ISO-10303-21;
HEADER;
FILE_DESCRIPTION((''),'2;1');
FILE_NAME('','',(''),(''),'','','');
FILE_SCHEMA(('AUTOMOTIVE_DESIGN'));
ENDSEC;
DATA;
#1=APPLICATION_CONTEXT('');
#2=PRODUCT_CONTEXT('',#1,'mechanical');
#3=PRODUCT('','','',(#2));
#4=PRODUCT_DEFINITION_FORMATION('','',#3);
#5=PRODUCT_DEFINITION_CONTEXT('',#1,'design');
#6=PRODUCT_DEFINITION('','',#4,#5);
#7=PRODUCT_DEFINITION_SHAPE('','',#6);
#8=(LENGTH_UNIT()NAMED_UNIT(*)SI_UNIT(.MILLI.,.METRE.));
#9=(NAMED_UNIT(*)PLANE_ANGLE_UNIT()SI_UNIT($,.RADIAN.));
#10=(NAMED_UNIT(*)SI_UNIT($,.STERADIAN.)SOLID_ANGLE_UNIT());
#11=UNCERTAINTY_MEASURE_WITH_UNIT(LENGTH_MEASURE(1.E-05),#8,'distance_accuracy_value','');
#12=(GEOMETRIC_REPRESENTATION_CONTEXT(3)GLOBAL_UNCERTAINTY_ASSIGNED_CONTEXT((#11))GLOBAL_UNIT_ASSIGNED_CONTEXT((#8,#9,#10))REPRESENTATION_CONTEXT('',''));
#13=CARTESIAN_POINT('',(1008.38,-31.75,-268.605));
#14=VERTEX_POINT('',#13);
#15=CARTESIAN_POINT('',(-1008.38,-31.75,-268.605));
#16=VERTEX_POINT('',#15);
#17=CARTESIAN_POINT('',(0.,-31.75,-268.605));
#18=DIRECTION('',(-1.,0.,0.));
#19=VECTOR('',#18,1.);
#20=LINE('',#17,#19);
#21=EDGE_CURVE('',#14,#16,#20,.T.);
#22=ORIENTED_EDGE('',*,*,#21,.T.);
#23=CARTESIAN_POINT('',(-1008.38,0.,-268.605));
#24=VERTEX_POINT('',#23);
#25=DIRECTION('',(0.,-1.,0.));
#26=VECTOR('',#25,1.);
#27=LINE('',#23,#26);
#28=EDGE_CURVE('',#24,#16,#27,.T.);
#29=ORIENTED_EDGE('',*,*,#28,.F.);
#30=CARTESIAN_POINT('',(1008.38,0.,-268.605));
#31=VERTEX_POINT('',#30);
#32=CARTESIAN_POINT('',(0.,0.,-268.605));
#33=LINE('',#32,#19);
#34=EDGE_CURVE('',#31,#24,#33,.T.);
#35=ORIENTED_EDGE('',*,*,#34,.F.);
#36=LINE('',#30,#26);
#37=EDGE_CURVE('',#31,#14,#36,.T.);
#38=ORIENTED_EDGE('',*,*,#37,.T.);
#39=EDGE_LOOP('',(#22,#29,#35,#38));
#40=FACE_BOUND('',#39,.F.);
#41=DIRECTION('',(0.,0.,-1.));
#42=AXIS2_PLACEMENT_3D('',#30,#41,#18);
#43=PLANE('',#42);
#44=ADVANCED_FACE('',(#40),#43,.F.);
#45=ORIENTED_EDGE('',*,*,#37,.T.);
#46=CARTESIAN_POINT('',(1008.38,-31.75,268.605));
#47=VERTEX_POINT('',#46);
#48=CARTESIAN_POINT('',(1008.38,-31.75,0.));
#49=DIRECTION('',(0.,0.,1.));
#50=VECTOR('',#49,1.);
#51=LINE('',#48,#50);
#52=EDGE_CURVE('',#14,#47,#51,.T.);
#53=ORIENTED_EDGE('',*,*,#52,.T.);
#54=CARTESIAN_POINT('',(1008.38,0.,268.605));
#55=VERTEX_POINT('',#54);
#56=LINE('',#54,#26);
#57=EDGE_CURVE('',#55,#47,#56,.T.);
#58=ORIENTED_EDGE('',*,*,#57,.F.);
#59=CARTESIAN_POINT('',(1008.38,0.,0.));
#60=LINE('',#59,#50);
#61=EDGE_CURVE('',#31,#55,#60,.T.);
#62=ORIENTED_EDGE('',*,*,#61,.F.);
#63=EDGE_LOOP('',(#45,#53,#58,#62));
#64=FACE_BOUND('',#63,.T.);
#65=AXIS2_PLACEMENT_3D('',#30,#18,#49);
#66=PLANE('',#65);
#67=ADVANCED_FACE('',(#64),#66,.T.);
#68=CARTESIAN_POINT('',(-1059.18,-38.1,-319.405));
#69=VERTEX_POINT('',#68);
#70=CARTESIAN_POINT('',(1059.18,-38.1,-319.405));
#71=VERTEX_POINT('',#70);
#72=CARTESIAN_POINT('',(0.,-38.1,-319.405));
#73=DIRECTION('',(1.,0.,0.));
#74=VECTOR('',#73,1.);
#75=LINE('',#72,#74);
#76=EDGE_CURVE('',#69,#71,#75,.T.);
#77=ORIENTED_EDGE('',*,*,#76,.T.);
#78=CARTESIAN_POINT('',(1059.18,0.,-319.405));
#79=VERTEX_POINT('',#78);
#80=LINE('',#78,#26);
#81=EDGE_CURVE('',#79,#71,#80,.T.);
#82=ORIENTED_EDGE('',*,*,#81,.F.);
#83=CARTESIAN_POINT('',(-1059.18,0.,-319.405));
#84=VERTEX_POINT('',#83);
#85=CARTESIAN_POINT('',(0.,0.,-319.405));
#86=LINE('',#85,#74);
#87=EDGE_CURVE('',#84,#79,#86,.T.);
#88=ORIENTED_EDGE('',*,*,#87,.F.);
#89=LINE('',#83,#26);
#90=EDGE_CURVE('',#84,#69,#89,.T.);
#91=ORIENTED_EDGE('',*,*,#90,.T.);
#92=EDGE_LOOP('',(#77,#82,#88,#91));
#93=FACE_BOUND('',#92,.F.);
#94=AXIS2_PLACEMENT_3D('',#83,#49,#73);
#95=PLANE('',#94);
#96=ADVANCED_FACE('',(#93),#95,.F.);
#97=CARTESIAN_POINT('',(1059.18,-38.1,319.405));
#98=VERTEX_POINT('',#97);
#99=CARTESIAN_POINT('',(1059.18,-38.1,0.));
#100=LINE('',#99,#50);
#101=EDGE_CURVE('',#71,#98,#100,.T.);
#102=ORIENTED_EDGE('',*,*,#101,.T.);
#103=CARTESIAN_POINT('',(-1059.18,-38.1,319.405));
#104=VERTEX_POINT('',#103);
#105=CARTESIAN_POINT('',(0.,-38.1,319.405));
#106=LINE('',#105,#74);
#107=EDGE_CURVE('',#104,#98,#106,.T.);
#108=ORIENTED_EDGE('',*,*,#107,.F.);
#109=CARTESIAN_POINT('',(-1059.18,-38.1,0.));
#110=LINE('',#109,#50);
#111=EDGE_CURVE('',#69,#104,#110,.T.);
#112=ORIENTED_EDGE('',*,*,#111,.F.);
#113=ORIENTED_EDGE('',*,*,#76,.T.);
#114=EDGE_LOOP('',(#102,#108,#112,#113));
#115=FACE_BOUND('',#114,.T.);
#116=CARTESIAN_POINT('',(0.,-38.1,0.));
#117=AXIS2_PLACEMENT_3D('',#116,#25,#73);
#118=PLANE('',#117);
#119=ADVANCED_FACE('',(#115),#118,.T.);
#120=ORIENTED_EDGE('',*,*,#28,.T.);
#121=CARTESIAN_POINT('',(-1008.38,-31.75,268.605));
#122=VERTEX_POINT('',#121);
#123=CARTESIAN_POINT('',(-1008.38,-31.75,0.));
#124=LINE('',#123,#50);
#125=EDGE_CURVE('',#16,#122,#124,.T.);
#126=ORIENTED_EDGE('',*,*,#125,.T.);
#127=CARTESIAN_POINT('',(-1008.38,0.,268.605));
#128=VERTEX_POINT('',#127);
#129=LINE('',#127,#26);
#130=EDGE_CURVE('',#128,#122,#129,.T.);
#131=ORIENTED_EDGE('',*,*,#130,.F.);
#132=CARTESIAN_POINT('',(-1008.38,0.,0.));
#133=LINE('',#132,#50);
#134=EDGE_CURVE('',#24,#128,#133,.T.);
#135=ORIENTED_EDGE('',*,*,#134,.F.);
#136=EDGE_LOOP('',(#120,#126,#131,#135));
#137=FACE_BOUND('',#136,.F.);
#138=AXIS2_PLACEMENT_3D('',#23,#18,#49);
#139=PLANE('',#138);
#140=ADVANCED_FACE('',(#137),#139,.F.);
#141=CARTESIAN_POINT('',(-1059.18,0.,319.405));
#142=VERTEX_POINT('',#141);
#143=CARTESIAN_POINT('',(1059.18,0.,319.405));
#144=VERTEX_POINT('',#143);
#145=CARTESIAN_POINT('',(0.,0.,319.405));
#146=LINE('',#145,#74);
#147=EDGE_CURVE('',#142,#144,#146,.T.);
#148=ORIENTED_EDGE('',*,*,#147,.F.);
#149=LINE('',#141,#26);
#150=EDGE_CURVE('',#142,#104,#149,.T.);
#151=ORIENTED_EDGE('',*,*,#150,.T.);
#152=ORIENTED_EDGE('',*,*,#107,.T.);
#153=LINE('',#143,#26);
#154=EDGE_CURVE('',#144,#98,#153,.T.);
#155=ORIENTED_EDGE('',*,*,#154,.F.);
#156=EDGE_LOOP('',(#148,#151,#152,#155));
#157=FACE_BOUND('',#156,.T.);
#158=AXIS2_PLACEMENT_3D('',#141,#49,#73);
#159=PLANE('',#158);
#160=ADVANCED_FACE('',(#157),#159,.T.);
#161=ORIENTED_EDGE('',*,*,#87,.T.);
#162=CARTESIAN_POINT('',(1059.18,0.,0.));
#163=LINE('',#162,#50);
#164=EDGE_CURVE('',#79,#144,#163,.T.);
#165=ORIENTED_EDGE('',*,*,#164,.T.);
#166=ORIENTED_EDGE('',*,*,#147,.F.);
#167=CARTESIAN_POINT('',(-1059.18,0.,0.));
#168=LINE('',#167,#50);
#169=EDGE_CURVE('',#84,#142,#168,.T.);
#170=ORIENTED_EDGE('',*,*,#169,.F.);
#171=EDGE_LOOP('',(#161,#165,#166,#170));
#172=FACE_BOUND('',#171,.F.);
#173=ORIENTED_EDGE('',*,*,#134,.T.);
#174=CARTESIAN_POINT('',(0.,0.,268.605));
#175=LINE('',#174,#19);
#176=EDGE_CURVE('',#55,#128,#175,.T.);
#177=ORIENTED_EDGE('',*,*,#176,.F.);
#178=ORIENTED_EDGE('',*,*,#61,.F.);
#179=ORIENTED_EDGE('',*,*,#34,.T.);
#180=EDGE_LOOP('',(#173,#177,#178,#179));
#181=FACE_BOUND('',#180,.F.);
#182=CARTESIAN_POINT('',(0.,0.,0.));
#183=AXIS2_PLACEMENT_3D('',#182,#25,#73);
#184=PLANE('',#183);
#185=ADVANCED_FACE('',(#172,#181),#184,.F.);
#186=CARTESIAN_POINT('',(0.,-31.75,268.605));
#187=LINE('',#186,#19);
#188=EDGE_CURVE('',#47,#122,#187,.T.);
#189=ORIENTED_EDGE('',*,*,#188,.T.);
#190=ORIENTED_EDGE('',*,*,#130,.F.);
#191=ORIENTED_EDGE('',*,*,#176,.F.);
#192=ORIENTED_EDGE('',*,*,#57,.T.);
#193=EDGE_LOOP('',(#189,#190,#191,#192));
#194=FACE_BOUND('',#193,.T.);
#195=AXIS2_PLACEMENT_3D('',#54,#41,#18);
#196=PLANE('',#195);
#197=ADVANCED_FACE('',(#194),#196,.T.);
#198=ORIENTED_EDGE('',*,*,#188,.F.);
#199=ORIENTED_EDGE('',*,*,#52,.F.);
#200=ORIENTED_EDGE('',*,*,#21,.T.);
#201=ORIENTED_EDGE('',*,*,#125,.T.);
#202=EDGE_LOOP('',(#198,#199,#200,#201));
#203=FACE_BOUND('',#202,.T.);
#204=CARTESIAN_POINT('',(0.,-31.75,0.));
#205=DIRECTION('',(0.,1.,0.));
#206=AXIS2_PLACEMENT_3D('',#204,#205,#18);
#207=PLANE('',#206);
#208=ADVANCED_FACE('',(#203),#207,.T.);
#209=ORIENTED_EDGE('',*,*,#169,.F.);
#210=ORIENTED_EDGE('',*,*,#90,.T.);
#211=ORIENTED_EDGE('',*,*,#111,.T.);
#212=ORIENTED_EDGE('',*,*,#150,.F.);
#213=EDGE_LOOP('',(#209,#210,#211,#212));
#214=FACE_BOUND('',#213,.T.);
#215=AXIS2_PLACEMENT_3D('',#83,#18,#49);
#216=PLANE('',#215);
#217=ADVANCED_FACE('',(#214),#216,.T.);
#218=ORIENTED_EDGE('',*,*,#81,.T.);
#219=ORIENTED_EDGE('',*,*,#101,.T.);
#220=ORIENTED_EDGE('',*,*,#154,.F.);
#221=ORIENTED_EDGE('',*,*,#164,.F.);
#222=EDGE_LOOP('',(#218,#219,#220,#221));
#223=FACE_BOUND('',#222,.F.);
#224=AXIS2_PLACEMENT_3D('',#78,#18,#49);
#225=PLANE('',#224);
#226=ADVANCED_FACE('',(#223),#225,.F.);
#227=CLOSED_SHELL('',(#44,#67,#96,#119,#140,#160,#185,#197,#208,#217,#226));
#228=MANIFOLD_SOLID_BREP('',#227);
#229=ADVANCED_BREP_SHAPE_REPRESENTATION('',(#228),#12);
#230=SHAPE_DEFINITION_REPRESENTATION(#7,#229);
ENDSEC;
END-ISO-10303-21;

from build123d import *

# Parameters (mm, degrees)
F0_W     = 2118.36
F0_H     = 638.81
F1_DEPTH = 38.1
F2_W     = 2016.76
F2_H     = 537.21
F3_DEPTH = 31.75


with BuildPart() as f1:
    # F0 (on Front) → F1 (new body)
    with BuildSketch(Plane.XZ):
        Rectangle(F0_W, F0_H)
    extrude(amount=F1_DEPTH)

    # F2 (on face) → F3 (cut)
    with BuildSketch(Plane(origin=(0, 0, 0), x_dir=(-1, 0, 0), z_dir=(0, 1, 0))):
        Rectangle(F2_W, F2_H)
    extrude(amount=-F3_DEPTH, mode=Mode.SUBTRACT)


solid = f1.part
